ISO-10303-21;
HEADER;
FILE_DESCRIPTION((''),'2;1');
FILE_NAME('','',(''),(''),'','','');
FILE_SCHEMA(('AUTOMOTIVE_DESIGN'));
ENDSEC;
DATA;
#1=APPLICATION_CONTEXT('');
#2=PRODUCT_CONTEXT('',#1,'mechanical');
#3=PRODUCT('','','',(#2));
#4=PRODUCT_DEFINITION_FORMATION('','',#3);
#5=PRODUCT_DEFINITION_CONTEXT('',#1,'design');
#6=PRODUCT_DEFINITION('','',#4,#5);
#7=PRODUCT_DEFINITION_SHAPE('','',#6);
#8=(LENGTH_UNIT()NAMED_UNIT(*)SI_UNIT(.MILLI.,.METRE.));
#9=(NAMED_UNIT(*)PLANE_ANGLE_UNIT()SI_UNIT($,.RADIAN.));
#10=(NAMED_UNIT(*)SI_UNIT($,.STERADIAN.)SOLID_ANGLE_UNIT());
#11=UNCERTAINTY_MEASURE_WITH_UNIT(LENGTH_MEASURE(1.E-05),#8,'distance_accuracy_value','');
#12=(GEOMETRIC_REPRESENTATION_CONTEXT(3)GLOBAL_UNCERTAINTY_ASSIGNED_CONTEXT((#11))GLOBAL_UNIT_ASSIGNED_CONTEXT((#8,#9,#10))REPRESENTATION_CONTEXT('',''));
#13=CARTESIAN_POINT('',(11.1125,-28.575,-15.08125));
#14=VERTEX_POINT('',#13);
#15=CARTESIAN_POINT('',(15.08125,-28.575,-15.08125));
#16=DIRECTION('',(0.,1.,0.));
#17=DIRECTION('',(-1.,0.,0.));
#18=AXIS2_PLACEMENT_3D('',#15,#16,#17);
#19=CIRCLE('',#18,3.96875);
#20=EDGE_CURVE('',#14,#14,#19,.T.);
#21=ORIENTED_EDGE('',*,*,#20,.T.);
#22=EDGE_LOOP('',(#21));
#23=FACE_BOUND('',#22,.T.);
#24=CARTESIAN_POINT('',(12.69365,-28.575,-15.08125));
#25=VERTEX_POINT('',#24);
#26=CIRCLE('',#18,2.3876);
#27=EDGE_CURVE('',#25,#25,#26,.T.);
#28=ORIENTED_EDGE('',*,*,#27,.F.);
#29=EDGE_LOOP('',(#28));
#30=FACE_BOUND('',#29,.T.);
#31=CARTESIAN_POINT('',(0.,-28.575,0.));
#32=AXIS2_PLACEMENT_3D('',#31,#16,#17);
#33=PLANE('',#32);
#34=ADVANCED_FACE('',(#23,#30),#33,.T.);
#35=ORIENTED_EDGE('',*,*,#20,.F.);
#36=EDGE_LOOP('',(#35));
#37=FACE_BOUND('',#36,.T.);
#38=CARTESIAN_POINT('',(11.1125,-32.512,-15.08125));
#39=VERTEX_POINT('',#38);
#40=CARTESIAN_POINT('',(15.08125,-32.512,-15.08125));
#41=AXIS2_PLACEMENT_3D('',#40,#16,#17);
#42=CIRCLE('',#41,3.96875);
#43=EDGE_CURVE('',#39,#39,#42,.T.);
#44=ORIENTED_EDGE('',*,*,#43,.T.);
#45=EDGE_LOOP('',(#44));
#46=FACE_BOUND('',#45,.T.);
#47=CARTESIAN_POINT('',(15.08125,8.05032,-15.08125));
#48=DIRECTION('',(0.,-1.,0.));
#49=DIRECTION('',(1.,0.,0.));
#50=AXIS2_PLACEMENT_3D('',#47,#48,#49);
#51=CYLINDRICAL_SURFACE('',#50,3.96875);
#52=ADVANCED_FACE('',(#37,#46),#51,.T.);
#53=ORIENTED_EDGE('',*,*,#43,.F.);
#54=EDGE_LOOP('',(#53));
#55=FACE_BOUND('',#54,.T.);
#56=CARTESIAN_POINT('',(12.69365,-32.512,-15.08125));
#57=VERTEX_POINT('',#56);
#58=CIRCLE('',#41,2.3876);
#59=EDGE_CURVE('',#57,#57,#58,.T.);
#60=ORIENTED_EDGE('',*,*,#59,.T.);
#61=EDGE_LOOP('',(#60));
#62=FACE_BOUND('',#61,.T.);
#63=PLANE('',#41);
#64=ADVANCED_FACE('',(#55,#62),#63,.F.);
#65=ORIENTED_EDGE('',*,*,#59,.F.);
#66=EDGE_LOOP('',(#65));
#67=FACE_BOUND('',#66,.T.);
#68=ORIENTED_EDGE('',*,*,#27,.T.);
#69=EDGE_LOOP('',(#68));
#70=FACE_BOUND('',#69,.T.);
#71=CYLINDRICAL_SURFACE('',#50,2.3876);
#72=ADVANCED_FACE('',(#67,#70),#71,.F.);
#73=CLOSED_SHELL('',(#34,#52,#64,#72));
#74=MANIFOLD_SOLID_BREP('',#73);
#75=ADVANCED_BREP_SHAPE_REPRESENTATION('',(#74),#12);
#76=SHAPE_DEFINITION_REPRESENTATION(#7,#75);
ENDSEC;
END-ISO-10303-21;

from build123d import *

# Parameters (mm, degrees)
SKETCH1_W           = 38.1
SKETCH1_H           = 38.1
SKETCH1_R           = 4
SKETCH1_R_2         = 1.5875
SKETCH1_R_3         = 1.25
BOSS_EXTRUDE1_DEPTH = 3.175
SKETCH4_R           = 1.7272
CUT_EXTRUDE2_DEPTH  = 10.795
SKETCH7_R           = 2.15265
CUT_EXTRUDE3_DEPTH  = 7.3500001
CIRPATTERN1_COUNT   = 4
SKETCH6_W           = 38.1
SKETCH6_H           = 38.1
SKETCH6_R           = 6.5
SKETCH6_R_2         = 2.15265
BOSS_EXTRUDE2_DEPTH = 3.175
FILLET1_R           = 2.54
FILLET2_R           = 2.54
SKETCH8_R           = 3.96875
SKETCH8_R_2         = 2.3876
BOSS_EXTRUDE3_DEPTH = 3.937
CIRPATTERN2_COUNT   = 4


with BuildPart() as part:
    # Sketch1 → Boss-Extrude1 (new body, symmetric)
    with BuildSketch(Plane(origin=(0, 0, 0), x_dir=(1, 0, 0), z_dir=(0, 1, 0))):
        Rectangle(SKETCH1_W, SKETCH1_H)
        Circle(SKETCH1_R, mode=Mode.SUBTRACT)
        with Locations((8.838834765, 8.838834765)):
            Circle(SKETCH1_R_2, mode=Mode.SUBTRACT)
        with Locations((8.838834765, -8.838834765)):
            Circle(SKETCH1_R_2, mode=Mode.SUBTRACT)
        with Locations((-8.838834765, -8.838834765)):
            Circle(SKETCH1_R_2, mode=Mode.SUBTRACT)
        with Locations((-8.838834765, 8.838834765)):
            Circle(SKETCH1_R_2, mode=Mode.SUBTRACT)
        with Locations((-14.5, 0)):
            Circle(SKETCH1_R_3, mode=Mode.SUBTRACT)
        with Locations((0, 14.5)):
            Circle(SKETCH1_R_3, mode=Mode.SUBTRACT)
        with Locations((14.5, 0)):
            Circle(SKETCH1_R_3, mode=Mode.SUBTRACT)
        with Locations((0, -14.5)):
            Circle(SKETCH1_R_3, mode=Mode.SUBTRACT)
    extrude(amount=BOSS_EXTRUDE1_DEPTH, both=True)

    # Sketch4 → Cut-Extrude2 (cut)
    with BuildSketch(Plane.XY.offset(19.05)):
        with Locations((-5.55625, 0)):
            Circle(SKETCH4_R)
        with Locations((5.55625, 0)):
            Circle(SKETCH4_R)
    cut_extrude2 = extrude(amount=-CUT_EXTRUDE2_DEPTH, mode=Mode.SUBTRACT)

    # Sketch7 → Cut-Extrude3 (cut, through all)
    with BuildSketch(Plane.XZ.offset(3.175)):
        with Locations((-15.08125, 15.08125)):
            Circle(SKETCH7_R)
        with Locations((15.08125, 15.08125)):
            Circle(SKETCH7_R)
        with Locations((15.08125, -15.08125)):
            Circle(SKETCH7_R)
        with Locations((-15.08125, -15.08125)):
            Circle(SKETCH7_R)
    extrude(amount=-CUT_EXTRUDE3_DEPTH, mode=Mode.SUBTRACT)

    # CirPattern1: Cut-Extrude2 ×4 about axis
    cirpattern1_axis = Axis((0, 0, 0), (0, 1, 0))
    for i in range(1, CIRPATTERN1_COUNT):
        add(cut_extrude2.rotate(cirpattern1_axis, i * 360 / CIRPATTERN1_COUNT), mode=Mode.SUBTRACT)

    # Fillet1
    fillet1_edges = [part.edges().sort_by_distance(p)[0] for p in [
        (19.05, 0, 19.05),
        (-19.05, 0, 19.05),
        (-19.05, 0, -19.05),
        (19.05, 0, -19.05),
    ]]
    fillet(fillet1_edges, radius=FILLET1_R)


with BuildPart() as body_2:
    # Sketch6 → Boss-Extrude2 (new body)
    with BuildSketch(Plane(origin=(0, -32.512, 0), x_dir=(-1, 0, 0), z_dir=(0, -1, 0))):
        Rectangle(SKETCH6_W, SKETCH6_H)
        Circle(SKETCH6_R, mode=Mode.SUBTRACT)
        with Locations((-15.08125, 15.08125)):
            Circle(SKETCH6_R_2, mode=Mode.SUBTRACT)
        with Locations((15.08125, 15.08125)):
            Circle(SKETCH6_R_2, mode=Mode.SUBTRACT)
        with Locations((15.08125, -15.08125)):
            Circle(SKETCH6_R_2, mode=Mode.SUBTRACT)
        with Locations((-15.08125, -15.08125)):
            Circle(SKETCH6_R_2, mode=Mode.SUBTRACT)
    extrude(amount=BOSS_EXTRUDE2_DEPTH)

    # Fillet2
    fillet2_edges = [body_2.edges().sort_by_distance(p)[0] for p in [
        (-19.05, -34.0995, 19.05),
        (19.05, -34.0995, 19.05),
        (19.05, -34.0995, -19.05),
        (-19.05, -34.0995, -19.05),
    ]]
    fillet(fillet2_edges, radius=FILLET2_R)


with BuildPart() as body_3:
    # Sketch8 → Boss-Extrude3 (new body)
    with BuildSketch(Plane(origin=(0, -32.512, 0), x_dir=(1, 0, 0), z_dir=(0, 1, 0))):
        with Locations((-15.08125, 15.08125)):
            Circle(SKETCH8_R)
        with Locations((-15.08125, 15.08125)):
            Circle(SKETCH8_R_2, mode=Mode.SUBTRACT)
    extrude(amount=BOSS_EXTRUDE3_DEPTH)


with BuildPart() as cirpattern2_1:
    # CirPattern2: pattern copy
    add(body_3.part.rotate(Axis((0, 0, 0), (0, 1, 0)), 1 * 360 / CIRPATTERN2_COUNT))


with BuildPart() as cirpattern2_2:
    # CirPattern2: pattern copy
    add(body_3.part.rotate(Axis((0, 0, 0), (0, 1, 0)), 2 * 360 / CIRPATTERN2_COUNT))


with BuildPart() as cirpattern2_3:
    # CirPattern2: pattern copy
    add(body_3.part.rotate(Axis((0, 0, 0), (0, 1, 0)), 3 * 360 / CIRPATTERN2_COUNT))


solid = cirpattern2_3.part
